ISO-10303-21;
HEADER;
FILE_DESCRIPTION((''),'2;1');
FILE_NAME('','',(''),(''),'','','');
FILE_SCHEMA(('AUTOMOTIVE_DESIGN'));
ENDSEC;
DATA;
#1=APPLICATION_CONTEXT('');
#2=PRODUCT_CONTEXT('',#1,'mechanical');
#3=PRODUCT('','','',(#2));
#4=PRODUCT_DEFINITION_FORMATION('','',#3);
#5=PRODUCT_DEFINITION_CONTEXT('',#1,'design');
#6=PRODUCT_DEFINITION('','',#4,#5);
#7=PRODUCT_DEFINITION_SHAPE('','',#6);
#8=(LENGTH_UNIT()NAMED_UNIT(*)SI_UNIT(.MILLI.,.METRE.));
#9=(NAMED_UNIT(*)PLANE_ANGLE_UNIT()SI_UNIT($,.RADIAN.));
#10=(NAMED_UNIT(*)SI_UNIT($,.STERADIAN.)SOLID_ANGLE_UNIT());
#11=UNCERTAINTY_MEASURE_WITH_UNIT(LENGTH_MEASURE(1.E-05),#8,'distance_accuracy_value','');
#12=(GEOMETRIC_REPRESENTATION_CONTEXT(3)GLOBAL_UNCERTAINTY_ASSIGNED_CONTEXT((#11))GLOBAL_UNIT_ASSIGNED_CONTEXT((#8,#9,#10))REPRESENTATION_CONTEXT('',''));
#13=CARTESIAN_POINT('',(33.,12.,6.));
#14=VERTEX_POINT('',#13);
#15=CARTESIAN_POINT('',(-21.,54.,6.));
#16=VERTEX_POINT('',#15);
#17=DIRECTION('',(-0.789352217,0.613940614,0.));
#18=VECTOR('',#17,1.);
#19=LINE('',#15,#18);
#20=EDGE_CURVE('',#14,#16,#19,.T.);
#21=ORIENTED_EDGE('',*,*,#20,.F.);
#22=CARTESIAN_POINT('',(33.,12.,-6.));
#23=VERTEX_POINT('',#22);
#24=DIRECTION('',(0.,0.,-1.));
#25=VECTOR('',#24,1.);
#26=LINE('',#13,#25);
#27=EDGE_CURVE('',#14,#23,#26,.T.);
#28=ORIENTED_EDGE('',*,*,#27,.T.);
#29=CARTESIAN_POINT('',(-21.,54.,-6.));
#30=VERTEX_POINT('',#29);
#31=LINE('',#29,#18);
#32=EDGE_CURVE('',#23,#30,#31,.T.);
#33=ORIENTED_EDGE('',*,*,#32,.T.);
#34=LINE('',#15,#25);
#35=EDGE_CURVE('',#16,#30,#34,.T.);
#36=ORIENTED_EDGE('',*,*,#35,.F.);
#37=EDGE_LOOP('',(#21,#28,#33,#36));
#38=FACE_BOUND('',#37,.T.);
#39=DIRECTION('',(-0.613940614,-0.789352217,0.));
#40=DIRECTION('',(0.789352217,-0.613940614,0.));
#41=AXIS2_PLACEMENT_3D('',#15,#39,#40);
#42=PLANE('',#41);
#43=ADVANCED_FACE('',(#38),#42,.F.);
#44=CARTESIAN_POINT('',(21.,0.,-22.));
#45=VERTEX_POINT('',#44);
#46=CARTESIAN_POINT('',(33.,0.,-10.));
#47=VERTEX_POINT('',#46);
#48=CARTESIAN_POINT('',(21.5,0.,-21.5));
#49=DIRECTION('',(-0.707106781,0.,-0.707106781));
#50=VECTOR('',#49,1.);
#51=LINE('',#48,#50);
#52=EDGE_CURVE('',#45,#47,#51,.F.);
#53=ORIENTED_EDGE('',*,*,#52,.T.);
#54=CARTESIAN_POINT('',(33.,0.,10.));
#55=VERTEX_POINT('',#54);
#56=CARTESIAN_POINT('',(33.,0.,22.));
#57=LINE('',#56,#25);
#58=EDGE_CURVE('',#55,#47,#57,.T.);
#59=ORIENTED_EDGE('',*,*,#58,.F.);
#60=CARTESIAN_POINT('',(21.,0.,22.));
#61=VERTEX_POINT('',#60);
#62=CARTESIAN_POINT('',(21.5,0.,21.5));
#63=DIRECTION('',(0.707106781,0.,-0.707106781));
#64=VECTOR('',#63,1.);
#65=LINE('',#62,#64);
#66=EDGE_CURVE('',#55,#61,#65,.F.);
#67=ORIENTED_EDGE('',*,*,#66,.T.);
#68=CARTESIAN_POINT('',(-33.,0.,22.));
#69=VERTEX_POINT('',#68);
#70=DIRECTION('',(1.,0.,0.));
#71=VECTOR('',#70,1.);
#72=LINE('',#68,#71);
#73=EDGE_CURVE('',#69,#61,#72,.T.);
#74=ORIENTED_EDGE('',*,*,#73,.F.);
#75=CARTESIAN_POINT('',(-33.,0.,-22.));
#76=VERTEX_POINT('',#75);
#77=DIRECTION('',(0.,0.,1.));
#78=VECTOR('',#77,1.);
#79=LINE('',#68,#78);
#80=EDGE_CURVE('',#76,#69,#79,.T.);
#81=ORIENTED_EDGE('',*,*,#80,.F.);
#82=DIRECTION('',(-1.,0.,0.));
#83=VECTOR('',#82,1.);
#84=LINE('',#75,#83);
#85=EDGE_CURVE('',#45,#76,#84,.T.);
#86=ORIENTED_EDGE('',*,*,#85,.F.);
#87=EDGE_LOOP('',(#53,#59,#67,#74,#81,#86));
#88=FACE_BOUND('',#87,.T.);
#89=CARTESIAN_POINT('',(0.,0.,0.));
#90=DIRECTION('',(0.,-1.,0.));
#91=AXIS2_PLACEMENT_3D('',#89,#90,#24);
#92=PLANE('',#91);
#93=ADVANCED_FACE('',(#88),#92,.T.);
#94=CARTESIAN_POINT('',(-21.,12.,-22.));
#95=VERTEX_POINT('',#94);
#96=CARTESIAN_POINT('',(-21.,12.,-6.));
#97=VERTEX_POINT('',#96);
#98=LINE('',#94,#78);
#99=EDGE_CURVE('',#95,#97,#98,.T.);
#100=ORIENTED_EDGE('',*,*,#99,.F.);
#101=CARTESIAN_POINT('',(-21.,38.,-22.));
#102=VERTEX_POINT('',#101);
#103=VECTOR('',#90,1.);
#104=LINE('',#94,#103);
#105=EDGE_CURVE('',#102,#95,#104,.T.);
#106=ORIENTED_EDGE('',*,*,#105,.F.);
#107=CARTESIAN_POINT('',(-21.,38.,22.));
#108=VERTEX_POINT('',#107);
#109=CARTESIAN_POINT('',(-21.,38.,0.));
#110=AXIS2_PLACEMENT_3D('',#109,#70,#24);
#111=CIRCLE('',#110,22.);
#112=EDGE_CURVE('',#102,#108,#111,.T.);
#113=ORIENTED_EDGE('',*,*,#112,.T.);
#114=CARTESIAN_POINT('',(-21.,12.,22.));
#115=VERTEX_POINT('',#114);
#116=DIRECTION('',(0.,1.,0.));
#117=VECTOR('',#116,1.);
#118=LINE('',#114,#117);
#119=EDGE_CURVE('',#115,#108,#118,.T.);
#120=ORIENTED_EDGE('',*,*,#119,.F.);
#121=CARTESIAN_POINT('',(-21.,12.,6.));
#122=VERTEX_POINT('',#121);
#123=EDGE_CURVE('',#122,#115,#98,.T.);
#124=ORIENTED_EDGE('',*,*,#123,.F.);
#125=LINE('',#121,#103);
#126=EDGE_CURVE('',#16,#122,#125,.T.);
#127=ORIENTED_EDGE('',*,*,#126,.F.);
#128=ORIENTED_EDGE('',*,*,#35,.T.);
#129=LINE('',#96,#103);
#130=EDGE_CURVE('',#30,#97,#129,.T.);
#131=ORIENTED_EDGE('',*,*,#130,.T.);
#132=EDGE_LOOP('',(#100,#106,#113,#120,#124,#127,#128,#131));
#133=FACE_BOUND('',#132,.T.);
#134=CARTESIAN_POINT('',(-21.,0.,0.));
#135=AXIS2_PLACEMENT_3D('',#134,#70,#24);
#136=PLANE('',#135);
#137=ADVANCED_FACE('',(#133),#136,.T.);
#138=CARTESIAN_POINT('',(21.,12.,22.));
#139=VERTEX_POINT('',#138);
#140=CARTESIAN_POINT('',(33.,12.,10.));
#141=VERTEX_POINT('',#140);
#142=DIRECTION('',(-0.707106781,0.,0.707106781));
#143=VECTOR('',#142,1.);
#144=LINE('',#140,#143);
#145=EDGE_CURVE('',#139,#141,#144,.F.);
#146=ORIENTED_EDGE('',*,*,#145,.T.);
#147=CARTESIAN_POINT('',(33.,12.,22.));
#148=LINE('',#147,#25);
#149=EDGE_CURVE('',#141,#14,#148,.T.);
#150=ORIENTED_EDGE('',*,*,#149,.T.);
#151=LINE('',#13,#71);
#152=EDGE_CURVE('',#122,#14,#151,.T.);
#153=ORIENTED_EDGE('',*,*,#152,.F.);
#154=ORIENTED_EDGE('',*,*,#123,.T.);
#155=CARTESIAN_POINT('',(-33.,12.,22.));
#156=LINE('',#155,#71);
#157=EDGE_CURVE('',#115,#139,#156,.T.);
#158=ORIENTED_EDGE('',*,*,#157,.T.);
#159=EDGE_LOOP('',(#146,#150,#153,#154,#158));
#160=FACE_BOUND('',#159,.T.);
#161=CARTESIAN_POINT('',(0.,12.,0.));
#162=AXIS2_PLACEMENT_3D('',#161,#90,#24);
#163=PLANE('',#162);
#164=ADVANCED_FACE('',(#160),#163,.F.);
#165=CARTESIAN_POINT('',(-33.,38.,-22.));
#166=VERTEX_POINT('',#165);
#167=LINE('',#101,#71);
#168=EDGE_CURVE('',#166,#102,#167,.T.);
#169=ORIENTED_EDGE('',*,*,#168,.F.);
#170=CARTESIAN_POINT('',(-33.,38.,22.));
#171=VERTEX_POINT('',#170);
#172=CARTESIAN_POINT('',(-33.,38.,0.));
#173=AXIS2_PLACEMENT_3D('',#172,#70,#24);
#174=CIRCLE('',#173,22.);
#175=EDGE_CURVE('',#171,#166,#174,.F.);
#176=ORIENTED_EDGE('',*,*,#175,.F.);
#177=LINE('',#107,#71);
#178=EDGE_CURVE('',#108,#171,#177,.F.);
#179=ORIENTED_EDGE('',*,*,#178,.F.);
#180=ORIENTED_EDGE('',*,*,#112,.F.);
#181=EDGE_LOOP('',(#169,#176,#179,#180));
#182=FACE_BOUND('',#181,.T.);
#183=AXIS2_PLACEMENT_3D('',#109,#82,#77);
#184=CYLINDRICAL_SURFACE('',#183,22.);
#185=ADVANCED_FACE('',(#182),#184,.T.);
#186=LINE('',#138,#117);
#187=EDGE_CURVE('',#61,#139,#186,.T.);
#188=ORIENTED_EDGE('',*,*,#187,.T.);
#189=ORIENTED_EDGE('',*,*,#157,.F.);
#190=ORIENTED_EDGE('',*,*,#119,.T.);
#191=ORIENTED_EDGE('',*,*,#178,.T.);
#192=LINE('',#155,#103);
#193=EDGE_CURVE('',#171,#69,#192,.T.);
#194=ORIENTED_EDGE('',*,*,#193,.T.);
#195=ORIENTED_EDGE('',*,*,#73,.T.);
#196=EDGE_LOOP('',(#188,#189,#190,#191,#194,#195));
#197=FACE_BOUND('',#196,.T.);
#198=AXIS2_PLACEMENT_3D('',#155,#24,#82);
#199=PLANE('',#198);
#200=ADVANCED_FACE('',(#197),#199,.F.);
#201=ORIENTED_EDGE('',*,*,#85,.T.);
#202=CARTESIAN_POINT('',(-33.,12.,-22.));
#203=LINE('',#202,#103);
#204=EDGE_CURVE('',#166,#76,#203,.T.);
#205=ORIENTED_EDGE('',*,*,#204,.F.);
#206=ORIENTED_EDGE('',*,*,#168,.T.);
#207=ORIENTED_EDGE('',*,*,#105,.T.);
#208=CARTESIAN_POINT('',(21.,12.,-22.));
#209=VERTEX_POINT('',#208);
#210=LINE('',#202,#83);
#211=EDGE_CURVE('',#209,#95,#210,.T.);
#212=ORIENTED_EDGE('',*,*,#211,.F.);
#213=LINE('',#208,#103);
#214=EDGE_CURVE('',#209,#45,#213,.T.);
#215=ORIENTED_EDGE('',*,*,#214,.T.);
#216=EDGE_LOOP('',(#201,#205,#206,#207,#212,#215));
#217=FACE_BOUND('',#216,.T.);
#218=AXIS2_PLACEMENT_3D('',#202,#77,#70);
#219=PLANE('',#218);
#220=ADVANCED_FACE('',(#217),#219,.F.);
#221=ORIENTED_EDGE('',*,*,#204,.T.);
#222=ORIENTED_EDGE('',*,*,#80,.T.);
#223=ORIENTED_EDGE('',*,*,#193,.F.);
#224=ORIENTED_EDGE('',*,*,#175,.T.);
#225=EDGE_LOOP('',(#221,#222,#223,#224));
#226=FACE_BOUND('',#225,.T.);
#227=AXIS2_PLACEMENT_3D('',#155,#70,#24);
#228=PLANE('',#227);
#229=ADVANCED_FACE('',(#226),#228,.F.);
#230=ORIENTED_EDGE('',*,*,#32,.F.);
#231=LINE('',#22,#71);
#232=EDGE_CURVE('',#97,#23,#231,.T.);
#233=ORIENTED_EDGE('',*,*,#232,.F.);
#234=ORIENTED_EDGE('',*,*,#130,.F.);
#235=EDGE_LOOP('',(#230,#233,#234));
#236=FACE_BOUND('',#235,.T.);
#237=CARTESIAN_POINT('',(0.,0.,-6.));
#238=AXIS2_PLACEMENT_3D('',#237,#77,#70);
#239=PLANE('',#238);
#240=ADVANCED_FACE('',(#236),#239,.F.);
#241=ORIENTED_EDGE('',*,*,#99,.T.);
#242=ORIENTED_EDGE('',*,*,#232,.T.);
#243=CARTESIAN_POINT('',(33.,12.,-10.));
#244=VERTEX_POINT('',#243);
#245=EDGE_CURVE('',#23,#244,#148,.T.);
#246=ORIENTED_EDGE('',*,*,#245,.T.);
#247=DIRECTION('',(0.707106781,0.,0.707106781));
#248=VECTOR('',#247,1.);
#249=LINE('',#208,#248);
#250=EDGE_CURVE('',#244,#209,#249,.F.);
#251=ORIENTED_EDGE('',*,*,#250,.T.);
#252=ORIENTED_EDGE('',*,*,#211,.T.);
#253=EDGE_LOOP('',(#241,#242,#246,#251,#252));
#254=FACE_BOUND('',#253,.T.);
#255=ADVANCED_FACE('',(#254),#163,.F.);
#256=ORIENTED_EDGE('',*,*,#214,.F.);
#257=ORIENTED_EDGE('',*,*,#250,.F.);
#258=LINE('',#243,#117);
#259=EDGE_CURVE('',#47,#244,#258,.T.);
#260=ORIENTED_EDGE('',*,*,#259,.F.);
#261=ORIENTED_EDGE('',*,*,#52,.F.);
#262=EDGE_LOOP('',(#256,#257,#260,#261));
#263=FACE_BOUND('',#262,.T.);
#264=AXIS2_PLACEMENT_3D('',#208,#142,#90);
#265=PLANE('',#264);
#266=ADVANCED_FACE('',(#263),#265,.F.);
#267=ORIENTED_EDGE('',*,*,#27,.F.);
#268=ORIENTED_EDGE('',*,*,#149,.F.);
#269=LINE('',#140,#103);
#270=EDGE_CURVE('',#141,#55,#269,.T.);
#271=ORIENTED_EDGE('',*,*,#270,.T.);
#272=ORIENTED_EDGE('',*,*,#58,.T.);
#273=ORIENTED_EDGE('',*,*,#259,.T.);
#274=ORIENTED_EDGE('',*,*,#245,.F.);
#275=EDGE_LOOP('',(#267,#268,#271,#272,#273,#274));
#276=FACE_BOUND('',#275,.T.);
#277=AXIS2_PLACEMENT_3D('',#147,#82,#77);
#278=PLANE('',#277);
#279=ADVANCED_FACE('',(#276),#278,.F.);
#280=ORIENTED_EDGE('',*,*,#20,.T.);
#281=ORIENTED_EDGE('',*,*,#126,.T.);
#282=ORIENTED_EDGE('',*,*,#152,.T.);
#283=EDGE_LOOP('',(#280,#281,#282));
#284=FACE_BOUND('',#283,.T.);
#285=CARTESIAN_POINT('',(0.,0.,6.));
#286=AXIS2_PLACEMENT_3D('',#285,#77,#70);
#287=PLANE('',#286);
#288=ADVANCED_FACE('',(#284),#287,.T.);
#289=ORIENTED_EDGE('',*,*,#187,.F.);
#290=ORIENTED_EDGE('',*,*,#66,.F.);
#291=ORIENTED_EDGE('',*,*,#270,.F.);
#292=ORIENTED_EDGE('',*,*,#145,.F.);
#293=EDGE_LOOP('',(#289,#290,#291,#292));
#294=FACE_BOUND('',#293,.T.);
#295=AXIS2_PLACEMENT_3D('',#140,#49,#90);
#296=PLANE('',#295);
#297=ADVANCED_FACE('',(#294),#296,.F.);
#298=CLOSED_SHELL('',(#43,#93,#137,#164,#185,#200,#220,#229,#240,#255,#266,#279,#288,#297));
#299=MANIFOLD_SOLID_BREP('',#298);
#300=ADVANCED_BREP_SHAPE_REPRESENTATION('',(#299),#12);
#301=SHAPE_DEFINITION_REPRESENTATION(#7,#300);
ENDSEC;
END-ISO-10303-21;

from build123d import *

# Parameters (mm, degrees)
SKETCH1_W           = 66
SKETCH1_H           = 44
BOSS_EXTRUDE1_DEPTH = 12
CHAMFER1_SIZE       = 12
SKETCH2_W           = 44
SKETCH2_H           = 48
BOSS_EXTRUDE2_DEPTH = 12
FILLET1_RADIUS      = 22
FILLET1_LENGTH      = 12
BOSS_EXTRUDE3_DEPTH = 6


with BuildPart() as part:
    # Sketch1 → Boss-Extrude1 (new body)
    with BuildSketch(Plane(origin=(0, 0, 0), x_dir=(1, 0, 0), z_dir=(0, 1, 0))):
        Rectangle(SKETCH1_W, SKETCH1_H)
    extrude(amount=BOSS_EXTRUDE1_DEPTH)

    # Chamfer1
    chamfer1_edges = [part.edges().sort_by_distance(p)[0] for p in [
        (33, 6, 22),
        (33, 6, -22),
    ]]
    chamfer(chamfer1_edges, length=CHAMFER1_SIZE)

    # Sketch2 → Boss-Extrude2 (add)
    with BuildSketch(Plane.ZY.offset(33)):
        with Locations((0, 36)):
            Rectangle(SKETCH2_W, SKETCH2_H)
    extrude(amount=-BOSS_EXTRUDE2_DEPTH)

    # Fillet1: full round fillet: the end face becomes a half cylinder, R = half its width
    fillet1_face = Plane((-27, 60, 0), x_dir=(-1, 0, 0), z_dir=(0, 1, 0))  # on the end face: x along it, z out of the body
    fillet1_slab = fillet1_face.offset(-FILLET1_RADIUS / 2) * Box(FILLET1_LENGTH, 2 * FILLET1_RADIUS, FILLET1_RADIUS, mode=Mode.PRIVATE)  # the body's end, R deep
    fillet1_round = Plane((-27, 38, 0), x_dir=(0, 1, 0), z_dir=(-1, 0, 0)) * Cylinder(FILLET1_RADIUS, FILLET1_LENGTH, mode=Mode.PRIVATE)  # its axis R under the face
    add(fillet1_slab - fillet1_round, mode=Mode.SUBTRACT)

    # Sketch4 → Boss-Extrude3 (add, symmetric)
    with BuildSketch(Plane.XY):
        Polygon((-21, 54), (33, 12), (-21, 12), align=None)
    extrude(amount=BOSS_EXTRUDE3_DEPTH, both=True)


solid = part.part
